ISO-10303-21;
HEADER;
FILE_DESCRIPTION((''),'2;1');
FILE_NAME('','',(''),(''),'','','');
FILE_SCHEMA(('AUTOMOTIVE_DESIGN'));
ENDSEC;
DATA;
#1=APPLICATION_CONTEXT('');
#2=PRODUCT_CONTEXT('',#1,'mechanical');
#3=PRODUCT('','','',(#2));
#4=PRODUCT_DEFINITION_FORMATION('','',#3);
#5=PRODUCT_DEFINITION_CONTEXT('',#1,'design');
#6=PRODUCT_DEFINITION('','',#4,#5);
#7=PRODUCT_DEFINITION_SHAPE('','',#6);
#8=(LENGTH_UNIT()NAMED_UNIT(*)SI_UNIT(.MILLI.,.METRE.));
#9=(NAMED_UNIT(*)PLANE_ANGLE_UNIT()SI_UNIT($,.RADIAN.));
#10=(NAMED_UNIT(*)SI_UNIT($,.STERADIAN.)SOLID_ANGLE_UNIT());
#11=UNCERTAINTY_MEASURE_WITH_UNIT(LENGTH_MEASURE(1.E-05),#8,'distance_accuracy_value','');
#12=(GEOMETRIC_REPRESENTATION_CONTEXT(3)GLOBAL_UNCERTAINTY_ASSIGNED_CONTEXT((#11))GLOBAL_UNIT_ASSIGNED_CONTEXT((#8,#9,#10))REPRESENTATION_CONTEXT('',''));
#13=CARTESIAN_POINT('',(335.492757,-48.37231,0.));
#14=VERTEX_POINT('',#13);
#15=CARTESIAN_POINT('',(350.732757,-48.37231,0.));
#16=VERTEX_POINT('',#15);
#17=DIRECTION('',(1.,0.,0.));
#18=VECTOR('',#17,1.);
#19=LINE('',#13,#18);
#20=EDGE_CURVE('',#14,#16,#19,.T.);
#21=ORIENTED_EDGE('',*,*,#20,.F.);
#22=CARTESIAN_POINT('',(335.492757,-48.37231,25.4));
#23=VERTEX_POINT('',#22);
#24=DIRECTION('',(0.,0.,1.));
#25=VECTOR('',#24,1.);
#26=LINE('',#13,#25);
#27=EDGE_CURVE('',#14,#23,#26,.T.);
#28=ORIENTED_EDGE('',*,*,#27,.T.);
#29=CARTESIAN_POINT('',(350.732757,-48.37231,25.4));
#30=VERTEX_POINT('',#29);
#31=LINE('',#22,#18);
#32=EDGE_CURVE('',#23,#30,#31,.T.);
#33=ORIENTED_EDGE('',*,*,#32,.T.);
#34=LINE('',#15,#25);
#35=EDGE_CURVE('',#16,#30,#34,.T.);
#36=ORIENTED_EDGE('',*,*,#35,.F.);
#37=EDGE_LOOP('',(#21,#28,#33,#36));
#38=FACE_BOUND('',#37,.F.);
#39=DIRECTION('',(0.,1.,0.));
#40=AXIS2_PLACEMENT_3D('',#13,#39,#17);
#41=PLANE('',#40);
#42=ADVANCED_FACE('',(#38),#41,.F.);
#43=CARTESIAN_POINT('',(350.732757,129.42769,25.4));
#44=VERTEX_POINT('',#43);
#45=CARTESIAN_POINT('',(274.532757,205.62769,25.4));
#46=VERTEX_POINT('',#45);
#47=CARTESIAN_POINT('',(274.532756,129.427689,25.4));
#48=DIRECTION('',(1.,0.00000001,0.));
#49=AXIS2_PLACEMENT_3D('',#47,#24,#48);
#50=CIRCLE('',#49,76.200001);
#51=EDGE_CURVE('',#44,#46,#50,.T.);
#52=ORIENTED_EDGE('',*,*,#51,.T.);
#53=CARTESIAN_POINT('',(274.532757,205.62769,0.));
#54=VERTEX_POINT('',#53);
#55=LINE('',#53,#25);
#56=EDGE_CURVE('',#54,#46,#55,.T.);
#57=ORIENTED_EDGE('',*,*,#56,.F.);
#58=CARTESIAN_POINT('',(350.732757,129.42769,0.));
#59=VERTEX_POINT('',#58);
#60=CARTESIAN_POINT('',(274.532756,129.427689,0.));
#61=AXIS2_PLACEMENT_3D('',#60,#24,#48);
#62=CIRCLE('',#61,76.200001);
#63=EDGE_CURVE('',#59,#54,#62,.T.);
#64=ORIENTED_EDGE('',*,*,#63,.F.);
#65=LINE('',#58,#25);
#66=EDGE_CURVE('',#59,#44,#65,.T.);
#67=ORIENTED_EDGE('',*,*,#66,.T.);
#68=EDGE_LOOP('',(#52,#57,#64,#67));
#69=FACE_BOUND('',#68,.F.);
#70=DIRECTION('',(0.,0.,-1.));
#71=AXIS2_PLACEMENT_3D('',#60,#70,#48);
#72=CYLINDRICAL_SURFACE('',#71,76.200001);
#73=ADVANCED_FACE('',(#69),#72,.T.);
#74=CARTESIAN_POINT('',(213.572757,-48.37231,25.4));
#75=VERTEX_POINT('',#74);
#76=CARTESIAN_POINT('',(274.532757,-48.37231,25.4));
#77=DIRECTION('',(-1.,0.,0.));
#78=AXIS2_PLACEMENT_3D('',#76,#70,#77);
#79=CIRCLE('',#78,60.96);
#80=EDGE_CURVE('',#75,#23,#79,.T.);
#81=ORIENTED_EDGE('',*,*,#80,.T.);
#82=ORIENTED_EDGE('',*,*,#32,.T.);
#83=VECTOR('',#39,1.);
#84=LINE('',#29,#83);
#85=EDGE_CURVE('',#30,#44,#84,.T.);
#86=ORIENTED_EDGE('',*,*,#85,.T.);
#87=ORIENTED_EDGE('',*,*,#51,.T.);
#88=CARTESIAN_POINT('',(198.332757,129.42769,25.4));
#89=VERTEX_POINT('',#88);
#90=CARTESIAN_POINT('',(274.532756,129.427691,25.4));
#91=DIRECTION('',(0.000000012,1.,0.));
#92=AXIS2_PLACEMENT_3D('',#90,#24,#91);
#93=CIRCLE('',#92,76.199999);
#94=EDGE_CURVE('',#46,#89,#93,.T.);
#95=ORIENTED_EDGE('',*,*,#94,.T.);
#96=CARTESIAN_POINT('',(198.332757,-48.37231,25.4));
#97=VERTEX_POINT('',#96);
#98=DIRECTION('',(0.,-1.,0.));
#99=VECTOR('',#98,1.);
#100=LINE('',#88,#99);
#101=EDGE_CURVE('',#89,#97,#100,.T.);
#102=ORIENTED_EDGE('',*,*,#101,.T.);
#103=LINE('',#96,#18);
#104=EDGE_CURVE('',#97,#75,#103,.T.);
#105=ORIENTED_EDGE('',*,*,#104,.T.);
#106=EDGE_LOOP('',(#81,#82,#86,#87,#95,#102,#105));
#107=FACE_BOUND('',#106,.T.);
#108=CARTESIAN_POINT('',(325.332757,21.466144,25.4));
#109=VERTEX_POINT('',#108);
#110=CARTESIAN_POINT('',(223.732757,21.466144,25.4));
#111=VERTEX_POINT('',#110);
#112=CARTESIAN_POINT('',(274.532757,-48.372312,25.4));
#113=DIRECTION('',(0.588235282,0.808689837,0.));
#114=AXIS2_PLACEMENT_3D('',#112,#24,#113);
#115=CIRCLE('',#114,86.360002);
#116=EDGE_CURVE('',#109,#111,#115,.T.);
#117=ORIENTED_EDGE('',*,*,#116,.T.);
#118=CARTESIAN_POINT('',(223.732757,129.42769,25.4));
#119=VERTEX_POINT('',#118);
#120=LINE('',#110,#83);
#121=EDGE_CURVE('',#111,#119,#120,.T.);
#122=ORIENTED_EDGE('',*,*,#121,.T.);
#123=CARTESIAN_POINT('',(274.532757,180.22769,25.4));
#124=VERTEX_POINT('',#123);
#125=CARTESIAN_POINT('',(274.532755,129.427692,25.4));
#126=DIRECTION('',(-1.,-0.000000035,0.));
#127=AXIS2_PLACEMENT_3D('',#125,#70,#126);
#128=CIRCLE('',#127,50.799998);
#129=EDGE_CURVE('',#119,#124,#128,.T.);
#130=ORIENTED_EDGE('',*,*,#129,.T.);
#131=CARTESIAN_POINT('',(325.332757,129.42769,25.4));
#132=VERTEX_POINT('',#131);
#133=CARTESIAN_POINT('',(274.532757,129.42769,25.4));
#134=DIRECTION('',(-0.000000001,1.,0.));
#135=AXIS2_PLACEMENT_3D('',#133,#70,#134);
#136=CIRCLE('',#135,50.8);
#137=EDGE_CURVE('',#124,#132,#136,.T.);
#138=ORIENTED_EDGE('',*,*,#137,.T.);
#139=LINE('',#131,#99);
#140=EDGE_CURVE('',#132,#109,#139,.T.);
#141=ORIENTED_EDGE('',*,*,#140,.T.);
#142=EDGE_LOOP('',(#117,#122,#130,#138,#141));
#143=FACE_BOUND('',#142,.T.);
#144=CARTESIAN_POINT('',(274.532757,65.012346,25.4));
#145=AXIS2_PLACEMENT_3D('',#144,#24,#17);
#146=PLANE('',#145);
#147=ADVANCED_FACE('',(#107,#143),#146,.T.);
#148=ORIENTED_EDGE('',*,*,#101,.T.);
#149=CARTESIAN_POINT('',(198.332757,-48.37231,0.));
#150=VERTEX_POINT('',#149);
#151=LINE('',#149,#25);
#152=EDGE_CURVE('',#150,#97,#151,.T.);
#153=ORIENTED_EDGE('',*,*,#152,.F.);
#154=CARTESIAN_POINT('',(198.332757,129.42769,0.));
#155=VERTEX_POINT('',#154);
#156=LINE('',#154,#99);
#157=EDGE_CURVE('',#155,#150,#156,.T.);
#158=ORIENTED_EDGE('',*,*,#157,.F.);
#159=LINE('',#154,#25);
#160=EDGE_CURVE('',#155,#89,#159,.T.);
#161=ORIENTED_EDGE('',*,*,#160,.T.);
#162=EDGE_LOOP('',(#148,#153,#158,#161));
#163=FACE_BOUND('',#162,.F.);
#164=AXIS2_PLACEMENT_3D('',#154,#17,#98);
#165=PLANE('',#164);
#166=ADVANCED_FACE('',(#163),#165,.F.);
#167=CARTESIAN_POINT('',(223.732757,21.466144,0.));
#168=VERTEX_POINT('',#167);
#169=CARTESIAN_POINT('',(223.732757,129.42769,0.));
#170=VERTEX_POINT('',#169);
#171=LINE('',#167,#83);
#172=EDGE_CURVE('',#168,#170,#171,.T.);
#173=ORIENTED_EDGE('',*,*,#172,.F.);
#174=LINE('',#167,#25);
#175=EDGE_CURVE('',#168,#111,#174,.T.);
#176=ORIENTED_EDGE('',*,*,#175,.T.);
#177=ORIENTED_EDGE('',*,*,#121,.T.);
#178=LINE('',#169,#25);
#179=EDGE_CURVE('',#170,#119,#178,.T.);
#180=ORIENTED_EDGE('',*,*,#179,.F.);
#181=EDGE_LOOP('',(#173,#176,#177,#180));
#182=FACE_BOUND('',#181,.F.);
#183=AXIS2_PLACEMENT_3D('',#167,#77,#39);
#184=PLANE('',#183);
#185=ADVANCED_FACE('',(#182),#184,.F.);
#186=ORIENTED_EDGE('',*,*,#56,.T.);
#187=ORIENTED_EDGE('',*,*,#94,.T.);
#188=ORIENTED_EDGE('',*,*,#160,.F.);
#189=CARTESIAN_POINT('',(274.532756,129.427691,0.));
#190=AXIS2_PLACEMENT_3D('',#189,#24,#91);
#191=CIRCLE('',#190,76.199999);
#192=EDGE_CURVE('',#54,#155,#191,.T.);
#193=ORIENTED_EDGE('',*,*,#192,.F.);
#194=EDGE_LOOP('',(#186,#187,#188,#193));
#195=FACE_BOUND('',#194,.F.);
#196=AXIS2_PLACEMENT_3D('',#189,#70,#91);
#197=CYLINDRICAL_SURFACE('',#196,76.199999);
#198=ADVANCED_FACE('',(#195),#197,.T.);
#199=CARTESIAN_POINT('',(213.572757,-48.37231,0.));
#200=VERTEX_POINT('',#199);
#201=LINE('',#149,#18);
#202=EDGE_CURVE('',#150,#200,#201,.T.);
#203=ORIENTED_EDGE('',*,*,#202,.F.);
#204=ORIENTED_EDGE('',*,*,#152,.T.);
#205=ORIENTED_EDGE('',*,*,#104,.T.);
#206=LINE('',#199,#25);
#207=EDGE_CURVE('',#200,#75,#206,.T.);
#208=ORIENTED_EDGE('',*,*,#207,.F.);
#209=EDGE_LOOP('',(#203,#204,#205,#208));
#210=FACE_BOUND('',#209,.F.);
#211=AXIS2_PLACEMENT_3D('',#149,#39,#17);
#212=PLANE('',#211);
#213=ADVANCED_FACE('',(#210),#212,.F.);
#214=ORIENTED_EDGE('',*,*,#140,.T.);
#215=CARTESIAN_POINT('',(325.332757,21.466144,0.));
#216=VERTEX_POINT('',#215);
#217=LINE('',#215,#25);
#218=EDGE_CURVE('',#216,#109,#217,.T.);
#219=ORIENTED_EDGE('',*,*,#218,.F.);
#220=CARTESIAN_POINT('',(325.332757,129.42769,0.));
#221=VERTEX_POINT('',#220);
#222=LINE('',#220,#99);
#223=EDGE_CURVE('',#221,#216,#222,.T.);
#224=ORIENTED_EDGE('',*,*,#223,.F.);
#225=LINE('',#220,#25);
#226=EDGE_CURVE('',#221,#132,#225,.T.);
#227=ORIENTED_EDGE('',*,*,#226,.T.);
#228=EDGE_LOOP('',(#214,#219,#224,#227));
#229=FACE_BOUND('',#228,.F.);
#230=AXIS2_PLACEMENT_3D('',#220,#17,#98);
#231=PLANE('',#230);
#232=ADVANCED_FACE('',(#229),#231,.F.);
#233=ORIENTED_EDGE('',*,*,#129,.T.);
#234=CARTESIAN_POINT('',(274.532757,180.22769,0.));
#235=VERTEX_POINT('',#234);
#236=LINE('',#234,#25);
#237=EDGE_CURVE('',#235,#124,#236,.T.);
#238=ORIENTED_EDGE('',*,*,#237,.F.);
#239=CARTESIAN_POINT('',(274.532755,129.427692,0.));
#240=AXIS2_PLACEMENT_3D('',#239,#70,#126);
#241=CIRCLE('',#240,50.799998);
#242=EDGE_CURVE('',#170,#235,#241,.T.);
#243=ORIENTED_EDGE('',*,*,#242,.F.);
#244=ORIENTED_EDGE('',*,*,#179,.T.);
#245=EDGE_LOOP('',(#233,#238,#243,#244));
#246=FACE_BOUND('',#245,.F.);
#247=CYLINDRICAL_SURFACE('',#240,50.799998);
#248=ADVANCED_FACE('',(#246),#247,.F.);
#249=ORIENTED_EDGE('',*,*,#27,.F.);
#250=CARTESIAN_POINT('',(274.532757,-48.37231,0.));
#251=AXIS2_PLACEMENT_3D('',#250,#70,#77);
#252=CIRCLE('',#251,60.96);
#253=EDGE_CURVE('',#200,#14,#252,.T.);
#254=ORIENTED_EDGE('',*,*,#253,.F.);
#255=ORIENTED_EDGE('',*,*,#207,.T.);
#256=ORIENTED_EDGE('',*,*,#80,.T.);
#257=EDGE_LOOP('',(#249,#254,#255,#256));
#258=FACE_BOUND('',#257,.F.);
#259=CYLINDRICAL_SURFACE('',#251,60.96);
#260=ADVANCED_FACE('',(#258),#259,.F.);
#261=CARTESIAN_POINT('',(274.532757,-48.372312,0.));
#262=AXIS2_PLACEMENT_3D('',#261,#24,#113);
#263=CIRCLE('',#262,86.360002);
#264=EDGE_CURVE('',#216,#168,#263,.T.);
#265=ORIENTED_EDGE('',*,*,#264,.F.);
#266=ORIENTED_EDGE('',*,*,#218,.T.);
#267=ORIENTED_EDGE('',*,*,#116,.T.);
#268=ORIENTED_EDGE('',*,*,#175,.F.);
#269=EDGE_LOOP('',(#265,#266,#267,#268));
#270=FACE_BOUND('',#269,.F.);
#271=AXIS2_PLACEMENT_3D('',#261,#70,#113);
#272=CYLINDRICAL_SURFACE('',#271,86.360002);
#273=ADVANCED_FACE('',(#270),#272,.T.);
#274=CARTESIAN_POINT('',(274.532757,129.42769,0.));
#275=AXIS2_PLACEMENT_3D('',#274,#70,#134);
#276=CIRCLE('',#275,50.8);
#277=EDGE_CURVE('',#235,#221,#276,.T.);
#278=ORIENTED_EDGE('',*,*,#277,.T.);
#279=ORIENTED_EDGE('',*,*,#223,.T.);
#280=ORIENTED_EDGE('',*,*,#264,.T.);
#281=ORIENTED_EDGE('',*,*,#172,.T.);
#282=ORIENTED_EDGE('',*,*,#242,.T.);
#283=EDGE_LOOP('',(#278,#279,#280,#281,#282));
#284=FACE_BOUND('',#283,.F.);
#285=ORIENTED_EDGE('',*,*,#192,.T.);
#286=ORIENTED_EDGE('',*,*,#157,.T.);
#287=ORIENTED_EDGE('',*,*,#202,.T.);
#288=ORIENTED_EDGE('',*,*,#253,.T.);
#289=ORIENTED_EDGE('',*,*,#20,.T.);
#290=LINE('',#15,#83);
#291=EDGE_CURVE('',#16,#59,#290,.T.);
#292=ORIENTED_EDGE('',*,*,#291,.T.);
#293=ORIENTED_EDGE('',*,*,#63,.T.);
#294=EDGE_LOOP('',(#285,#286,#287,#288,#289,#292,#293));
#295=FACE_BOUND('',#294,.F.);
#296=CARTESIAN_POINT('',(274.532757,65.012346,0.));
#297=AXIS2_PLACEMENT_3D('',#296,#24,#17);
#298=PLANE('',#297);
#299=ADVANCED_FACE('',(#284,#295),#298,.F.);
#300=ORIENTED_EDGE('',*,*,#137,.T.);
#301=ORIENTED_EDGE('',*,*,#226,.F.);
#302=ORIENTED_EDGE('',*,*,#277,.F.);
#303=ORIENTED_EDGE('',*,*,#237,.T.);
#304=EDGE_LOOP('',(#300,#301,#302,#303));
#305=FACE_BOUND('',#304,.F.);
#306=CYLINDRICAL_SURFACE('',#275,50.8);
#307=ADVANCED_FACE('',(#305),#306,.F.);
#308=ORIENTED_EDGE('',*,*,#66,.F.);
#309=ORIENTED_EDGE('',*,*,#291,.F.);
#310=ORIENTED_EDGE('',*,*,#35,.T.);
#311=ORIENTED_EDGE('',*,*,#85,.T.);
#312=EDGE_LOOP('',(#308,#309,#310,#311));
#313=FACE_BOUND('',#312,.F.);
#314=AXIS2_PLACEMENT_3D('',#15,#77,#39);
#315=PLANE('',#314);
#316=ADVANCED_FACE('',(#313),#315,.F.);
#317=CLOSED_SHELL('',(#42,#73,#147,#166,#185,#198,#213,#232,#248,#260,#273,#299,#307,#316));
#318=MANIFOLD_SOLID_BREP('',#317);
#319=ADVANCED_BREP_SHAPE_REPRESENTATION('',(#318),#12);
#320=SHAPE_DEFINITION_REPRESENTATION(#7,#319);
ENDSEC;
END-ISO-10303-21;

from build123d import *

# Parameters (mm, degrees)
F1_DEPTH = 25.4


with BuildPart() as f1:
    # F0 (on Top) → F1 (new body)
    with BuildSketch(Plane.XY):
        with BuildLine():
            Line((198.332757, 129.42769), (198.332757, -48.37231))
            Line((198.332757, -48.37231), (213.572757, -48.37231))
            ThreePointArc((213.572757, -48.37231), (274.532757, 12.58769), (335.492757, -48.37231))
            Line((335.492757, -48.37231), (350.732757, -48.37231))
            Line((350.732757, -48.37231), (350.732757, 129.42769))
            ThreePointArc((350.732757, 129.42769), (328.414293, 183.309227), (274.532757, 205.62769))
            ThreePointArc((274.532757, 205.62769), (220.65122, 183.309227), (198.332757, 129.42769))
        make_face()
        with BuildLine():
            ThreePointArc((223.732757, 129.42769), (238.611732, 165.348715), (274.532757, 180.22769))
            ThreePointArc((274.532757, 180.22769), (310.453781, 165.348715), (325.332757, 129.42769))
            Line((325.332757, 129.42769), (325.332757, 21.466144))
            ThreePointArc((325.332757, 21.466144), (274.532757, 37.98769), (223.732757, 21.466144))
            Line((223.732757, 21.466144), (223.732757, 129.42769))
        make_face(mode=Mode.SUBTRACT)
    extrude(amount=F1_DEPTH)


solid = f1.part
